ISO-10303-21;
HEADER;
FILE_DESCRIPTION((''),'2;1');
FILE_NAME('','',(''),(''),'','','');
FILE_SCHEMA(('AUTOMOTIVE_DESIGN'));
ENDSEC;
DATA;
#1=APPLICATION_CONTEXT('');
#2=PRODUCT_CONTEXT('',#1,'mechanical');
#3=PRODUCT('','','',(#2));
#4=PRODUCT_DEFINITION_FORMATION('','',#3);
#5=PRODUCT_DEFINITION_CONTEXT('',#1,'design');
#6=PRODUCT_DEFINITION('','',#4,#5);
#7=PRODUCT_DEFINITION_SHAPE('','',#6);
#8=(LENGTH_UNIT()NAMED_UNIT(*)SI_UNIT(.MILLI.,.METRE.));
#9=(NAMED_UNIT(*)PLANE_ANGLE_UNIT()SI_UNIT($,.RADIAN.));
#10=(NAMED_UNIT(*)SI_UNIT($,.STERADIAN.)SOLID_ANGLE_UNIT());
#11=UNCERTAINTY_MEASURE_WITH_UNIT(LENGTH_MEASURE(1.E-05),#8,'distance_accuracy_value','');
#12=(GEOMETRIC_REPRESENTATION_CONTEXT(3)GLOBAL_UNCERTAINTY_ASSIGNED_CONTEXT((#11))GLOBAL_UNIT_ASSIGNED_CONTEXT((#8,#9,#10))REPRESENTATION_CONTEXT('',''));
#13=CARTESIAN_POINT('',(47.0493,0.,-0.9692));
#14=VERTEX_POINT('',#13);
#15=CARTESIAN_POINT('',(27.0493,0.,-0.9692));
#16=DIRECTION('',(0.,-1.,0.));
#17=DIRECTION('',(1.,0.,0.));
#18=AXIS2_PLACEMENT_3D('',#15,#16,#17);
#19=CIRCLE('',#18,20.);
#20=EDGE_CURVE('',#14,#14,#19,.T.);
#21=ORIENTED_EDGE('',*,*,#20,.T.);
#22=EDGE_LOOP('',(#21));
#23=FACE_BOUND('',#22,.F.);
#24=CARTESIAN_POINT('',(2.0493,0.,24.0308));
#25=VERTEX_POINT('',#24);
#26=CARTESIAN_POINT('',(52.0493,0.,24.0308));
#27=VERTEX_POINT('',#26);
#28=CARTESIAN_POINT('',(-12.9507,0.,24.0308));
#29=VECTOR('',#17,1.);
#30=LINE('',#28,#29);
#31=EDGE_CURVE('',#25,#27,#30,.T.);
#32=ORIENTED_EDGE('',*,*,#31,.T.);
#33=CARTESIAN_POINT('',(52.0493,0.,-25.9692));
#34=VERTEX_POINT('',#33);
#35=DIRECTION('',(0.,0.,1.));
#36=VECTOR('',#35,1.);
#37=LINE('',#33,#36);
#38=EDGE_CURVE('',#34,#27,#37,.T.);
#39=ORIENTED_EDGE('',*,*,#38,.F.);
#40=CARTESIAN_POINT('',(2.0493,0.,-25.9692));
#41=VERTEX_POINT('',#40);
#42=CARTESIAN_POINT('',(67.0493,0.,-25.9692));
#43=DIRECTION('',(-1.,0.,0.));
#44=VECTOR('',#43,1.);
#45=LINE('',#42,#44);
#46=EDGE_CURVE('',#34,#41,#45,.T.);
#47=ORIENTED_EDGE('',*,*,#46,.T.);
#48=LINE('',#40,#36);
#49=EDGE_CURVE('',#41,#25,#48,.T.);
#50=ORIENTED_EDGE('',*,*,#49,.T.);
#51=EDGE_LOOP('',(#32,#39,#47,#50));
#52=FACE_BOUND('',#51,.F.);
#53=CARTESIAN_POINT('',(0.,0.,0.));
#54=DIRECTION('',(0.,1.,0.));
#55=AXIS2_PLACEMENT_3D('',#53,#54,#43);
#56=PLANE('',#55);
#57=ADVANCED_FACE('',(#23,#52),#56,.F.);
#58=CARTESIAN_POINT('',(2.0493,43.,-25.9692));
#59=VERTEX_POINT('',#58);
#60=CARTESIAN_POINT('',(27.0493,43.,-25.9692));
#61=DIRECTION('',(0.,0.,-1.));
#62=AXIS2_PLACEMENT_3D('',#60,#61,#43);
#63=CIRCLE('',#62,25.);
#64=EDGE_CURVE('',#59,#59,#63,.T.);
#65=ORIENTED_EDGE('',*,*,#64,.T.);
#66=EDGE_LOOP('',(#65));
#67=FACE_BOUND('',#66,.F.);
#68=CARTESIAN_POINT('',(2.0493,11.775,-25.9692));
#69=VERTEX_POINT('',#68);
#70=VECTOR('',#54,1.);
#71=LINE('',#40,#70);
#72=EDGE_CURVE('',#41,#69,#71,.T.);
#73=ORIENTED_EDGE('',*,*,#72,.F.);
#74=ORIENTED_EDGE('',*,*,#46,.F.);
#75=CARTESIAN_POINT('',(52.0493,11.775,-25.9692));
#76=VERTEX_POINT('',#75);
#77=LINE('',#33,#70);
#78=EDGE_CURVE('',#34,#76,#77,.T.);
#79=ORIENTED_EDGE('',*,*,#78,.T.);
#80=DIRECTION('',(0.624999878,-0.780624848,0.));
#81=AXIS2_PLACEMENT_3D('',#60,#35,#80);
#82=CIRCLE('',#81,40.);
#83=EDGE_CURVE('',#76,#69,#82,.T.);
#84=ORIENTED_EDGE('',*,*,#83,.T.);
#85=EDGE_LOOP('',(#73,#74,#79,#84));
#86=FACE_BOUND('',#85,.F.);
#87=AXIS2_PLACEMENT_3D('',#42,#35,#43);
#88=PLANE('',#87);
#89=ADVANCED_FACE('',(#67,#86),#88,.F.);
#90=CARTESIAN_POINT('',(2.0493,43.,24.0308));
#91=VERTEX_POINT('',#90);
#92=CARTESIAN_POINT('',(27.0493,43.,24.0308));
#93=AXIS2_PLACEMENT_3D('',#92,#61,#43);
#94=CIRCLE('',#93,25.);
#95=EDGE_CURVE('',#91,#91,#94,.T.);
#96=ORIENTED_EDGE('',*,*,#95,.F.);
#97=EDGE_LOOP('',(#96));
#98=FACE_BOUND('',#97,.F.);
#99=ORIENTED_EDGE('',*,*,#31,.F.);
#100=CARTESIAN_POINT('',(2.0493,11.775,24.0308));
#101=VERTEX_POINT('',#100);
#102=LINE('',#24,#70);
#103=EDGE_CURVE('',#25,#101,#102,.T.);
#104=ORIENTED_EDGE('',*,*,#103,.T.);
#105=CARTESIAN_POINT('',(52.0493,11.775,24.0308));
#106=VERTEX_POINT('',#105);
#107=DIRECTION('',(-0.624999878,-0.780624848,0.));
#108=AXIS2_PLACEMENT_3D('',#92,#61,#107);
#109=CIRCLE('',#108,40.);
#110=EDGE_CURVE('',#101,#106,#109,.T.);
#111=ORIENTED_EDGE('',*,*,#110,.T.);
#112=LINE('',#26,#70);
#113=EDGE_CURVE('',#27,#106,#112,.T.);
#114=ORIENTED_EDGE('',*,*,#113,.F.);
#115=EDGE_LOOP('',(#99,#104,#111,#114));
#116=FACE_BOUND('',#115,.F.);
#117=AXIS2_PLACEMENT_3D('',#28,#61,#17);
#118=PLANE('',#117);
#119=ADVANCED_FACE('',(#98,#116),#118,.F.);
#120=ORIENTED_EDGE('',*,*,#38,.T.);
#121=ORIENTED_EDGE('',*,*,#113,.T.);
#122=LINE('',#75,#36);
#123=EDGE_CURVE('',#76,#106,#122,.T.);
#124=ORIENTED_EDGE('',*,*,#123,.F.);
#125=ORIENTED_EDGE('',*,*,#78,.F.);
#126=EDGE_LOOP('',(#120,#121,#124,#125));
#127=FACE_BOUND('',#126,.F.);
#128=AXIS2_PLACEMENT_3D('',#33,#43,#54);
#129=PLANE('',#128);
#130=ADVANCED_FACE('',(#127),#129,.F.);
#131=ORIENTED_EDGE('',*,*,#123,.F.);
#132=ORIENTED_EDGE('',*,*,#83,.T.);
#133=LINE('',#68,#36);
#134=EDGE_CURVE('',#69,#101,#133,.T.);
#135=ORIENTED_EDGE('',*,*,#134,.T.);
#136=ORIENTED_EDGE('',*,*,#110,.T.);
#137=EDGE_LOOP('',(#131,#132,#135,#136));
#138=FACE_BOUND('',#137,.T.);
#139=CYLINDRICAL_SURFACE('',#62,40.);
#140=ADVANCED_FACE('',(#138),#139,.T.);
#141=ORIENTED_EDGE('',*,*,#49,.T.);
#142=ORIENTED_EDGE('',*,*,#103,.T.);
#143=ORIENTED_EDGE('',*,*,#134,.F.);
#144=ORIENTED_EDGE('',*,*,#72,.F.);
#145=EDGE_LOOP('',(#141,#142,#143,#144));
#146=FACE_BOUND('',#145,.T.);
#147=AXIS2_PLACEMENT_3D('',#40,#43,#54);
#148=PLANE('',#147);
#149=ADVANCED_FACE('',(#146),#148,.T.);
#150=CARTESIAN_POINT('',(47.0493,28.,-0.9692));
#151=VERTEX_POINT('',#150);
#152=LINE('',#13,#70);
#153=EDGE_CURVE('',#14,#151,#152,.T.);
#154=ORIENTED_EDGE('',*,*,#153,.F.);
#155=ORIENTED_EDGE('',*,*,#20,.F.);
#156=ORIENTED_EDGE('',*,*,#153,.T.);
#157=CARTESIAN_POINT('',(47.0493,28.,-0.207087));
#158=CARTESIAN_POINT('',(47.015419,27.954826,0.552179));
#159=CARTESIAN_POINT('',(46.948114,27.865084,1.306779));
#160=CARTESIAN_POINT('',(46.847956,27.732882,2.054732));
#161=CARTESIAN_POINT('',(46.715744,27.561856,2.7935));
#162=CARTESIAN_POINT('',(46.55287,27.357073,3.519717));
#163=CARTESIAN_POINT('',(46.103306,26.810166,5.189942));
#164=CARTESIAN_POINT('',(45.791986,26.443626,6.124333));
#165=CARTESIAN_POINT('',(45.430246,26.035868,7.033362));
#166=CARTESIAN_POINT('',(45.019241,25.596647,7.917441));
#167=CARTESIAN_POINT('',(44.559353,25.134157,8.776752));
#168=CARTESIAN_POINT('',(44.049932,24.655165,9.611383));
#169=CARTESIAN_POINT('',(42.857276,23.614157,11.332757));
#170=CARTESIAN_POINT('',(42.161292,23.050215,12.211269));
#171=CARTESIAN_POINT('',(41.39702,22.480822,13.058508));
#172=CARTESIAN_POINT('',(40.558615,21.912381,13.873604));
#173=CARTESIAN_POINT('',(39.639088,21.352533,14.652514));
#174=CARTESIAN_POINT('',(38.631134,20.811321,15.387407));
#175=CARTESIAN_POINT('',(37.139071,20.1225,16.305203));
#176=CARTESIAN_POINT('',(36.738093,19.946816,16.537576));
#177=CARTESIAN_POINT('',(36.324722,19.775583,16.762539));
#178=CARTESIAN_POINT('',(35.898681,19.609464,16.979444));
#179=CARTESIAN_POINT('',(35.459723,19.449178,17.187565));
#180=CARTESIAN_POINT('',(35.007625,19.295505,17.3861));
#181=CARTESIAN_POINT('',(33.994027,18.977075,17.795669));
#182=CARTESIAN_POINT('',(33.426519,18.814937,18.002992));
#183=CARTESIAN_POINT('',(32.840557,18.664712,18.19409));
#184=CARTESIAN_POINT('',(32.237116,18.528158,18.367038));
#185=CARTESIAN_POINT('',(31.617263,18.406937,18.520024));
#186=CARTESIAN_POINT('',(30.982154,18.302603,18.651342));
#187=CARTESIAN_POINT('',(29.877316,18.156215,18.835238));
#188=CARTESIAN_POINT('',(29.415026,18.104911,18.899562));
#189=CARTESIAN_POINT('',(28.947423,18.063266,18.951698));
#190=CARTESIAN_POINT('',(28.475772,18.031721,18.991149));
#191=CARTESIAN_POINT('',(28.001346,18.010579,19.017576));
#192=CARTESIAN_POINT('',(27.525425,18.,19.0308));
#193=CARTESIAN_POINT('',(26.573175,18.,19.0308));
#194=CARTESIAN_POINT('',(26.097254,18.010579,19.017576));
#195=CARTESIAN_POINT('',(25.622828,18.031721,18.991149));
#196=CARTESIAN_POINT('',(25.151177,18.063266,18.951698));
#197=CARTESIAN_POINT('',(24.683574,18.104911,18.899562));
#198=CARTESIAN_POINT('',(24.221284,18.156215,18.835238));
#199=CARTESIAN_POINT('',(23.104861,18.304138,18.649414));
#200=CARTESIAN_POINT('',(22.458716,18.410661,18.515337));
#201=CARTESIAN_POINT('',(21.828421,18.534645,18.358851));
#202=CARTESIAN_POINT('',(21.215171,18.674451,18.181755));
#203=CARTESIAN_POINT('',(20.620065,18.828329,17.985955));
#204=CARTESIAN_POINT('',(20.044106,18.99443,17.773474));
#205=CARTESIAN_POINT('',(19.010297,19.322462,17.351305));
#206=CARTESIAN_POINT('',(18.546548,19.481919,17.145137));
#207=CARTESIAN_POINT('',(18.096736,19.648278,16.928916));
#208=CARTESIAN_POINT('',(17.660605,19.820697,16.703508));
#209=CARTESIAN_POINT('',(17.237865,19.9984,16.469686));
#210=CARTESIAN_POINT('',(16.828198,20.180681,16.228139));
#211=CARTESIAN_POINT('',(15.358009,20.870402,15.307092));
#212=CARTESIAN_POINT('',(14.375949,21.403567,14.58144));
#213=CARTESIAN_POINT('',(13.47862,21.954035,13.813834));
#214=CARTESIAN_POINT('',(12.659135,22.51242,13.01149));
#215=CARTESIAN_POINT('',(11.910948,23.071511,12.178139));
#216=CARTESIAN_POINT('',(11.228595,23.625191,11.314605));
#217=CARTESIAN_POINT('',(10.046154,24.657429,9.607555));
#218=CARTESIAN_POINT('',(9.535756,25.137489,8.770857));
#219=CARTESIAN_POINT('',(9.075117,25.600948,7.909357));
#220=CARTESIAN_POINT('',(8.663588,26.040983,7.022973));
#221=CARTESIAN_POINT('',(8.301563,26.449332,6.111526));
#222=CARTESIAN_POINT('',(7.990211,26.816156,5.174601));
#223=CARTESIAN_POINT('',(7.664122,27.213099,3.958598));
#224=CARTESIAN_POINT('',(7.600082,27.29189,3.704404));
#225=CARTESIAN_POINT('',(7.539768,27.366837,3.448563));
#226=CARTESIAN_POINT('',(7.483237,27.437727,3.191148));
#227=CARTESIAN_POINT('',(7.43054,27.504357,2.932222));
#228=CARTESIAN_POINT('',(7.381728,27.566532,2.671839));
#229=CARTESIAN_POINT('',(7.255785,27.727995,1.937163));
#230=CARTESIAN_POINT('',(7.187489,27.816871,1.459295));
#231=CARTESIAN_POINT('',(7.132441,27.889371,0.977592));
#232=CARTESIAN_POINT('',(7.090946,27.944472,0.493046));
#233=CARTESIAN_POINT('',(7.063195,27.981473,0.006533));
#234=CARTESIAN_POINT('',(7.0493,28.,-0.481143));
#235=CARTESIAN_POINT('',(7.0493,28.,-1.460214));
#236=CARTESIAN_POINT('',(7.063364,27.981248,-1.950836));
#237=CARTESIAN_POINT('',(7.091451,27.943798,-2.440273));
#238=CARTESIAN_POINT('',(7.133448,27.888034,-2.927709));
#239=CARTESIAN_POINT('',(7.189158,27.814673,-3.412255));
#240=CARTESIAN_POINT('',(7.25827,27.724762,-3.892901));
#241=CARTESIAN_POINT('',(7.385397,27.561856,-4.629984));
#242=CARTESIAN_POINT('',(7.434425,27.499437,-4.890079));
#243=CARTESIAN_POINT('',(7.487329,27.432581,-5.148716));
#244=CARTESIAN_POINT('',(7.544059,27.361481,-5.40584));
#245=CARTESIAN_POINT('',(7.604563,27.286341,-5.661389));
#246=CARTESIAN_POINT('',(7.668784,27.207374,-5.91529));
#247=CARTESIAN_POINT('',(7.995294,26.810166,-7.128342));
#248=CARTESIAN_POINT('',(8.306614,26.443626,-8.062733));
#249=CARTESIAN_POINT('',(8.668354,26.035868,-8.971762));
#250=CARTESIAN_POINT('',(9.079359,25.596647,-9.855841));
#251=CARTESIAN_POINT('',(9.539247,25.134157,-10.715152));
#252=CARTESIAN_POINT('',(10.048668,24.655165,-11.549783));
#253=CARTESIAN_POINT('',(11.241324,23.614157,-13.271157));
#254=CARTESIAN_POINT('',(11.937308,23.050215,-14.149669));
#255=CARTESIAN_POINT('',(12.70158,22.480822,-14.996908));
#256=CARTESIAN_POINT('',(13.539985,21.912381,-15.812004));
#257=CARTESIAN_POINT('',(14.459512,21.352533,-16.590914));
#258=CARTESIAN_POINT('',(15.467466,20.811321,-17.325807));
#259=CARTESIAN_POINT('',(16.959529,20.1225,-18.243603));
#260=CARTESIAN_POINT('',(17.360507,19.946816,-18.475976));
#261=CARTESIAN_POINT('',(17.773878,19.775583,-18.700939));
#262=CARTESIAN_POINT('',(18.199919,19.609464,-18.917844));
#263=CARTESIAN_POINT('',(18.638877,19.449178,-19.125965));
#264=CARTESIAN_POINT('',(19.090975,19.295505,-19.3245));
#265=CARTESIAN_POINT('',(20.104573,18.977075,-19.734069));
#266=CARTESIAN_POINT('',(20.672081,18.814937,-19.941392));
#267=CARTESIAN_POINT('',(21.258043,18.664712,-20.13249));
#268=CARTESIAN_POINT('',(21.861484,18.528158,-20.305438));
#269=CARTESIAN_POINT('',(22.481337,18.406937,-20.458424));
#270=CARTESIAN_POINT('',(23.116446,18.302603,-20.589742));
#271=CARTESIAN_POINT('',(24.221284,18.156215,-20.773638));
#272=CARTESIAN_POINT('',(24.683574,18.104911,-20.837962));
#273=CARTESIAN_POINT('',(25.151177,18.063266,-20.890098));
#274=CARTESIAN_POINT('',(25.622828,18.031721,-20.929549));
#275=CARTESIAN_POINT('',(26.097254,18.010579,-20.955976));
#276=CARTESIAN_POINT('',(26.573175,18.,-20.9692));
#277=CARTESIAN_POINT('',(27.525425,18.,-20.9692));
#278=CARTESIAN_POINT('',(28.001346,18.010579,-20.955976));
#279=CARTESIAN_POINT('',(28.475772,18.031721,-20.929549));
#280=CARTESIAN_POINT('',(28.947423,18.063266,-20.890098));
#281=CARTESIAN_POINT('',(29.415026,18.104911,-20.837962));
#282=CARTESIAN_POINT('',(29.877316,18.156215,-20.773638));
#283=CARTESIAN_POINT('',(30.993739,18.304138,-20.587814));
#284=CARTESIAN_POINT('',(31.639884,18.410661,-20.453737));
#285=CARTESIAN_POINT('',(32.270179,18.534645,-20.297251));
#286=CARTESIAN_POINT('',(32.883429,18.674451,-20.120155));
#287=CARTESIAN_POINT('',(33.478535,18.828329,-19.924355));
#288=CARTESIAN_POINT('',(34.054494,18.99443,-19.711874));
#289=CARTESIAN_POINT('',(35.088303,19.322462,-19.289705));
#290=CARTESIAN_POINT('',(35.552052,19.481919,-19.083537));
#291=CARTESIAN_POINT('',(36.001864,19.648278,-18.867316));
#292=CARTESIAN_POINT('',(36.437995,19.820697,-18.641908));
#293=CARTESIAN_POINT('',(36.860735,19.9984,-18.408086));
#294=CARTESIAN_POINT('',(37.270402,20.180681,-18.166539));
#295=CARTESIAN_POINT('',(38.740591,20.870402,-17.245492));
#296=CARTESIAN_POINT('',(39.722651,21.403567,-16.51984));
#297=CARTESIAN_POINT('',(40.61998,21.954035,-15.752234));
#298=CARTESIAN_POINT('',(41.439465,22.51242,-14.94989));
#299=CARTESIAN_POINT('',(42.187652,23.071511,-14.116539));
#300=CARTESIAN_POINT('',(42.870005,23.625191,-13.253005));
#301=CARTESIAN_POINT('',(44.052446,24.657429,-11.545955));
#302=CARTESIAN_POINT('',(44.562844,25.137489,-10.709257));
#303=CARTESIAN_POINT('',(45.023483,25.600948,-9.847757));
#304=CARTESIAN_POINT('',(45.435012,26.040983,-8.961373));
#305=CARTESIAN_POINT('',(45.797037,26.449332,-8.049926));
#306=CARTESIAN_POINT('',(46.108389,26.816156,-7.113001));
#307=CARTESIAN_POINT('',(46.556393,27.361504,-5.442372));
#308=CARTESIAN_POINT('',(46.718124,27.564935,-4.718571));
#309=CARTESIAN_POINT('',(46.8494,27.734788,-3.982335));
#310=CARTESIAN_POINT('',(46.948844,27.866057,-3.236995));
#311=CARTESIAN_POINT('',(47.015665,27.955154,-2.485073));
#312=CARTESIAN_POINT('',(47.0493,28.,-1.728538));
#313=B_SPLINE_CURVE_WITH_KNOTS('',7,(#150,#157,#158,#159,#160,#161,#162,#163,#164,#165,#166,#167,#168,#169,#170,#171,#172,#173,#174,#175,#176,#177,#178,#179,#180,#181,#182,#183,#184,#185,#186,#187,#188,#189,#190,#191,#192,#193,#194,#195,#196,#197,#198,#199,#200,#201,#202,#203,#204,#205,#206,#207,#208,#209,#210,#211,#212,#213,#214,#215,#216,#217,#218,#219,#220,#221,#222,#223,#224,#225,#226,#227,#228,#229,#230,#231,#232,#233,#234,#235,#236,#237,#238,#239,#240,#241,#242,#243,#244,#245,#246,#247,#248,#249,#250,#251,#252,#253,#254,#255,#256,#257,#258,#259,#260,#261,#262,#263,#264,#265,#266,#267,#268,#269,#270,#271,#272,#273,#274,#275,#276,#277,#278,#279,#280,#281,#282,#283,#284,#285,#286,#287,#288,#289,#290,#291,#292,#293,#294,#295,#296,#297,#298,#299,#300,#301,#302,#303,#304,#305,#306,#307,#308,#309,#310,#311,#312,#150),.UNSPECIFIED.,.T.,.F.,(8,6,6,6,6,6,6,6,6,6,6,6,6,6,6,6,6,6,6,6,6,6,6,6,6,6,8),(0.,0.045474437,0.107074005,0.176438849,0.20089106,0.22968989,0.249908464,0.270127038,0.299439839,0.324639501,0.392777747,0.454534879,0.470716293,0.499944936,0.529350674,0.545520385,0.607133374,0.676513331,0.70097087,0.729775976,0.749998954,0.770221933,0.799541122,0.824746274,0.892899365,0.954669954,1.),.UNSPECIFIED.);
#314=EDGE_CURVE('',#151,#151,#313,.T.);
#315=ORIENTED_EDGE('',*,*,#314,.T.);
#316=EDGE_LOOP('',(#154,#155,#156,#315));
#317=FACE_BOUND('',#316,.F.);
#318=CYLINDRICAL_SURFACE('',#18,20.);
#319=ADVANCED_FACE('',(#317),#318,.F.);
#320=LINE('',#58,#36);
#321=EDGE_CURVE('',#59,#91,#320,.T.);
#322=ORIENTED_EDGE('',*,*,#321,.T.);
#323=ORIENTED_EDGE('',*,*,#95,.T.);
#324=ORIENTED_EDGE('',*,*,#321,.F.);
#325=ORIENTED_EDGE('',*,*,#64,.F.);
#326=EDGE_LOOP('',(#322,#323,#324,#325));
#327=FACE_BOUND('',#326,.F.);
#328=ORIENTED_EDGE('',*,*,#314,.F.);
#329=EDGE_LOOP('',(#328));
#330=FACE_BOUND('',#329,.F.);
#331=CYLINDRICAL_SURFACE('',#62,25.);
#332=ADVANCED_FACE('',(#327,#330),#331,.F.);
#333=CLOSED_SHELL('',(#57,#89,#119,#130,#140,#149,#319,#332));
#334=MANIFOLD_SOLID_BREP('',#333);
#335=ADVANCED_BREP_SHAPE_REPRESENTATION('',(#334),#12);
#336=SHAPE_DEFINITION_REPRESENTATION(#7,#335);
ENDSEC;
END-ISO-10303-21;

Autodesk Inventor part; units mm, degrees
ref_plane "YZ Plane" through (0, 0, 0) normal (1, 0, 0) x (0, 1, 0)
ref_plane "XZ Plane" through (0, 0, 0) normal (0, 1, 0) x (-1, 0, 0)
ref_plane "XY Plane" through (0, 0, 0) normal (0, 0, 1) x (1, 0, 0)
sketch "Sketch1" plane through (0, 0, 0) normal (0, 1, 0) x (-1, 0, 0)
  line L0 (12.9507, 24.0308) -> (-67.0493, 24.0308)
  line L1 (-67.0493, 24.0308) -> (-67.0493, -25.9692)
  line L2 (-67.0493, -25.9692) -> (12.9507, -25.9692)
  line L3 (12.9507, -25.9692) -> (12.9507, 24.0308)
  point P0 (0, 0)
  dimension "d0" = 80
  dimension "d1" = 50
extrude "Extrusion1" add sketch "Sketch1" along normal blind 86
sketch "Sketch2" plane through (0, 0, 0) normal (0, -1, 0) x (1, 0, 0)
  circle A0 centre (27.0493, -0.9692) radius 20
  point P0 (0, 0)
  point P1 (67.0493, -25.9692)
  point P2 (-12.9507, 24.0308)
  dimension "d7" = 40
sketch "Sketch3" plane through (67.0493, 0, -25.9692) normal (0, 0, -1) x (-1, 0, 0)
  circle A0 centre (40, 43) radius 40
  circle A1 centre (40, 43) radius 25
  line L0 (0, 0) -> (15, 0)
  line L1 (0, 0) -> (80, 0) projected
  line L2 (80, 0) -> (65, 0)
  line L3 (65, 0) -> (65, 11.775)
  line L4 (15, 0) -> (15, 11.775)
  line L5 (0, 86) -> (80, 86) projected
  line L6 (0, 86) -> (80, 86)
  line L7 (80, 86) -> (80, 0)
  line L8 (80, 0) -> (0, 0)
  line L9 (0, 0) -> (0, 86)
  point P0 (67.0493, 0)
  point P1 (0, 43)
  point P2 (80, 43)
  dimension "d10" = 50
  dimension "d15" = 15
  dimension "d16" = 15
extrude "Extrusion2" cut sketch "Sketch3" against normal blind 100 contours A1
extrude "Extrusion3" cut sketch "Sketch2" against normal blind 47.6125
extrude "Extrusion4" cut sketch "Sketch3" against normal blind 100 contours L4 L0 L9 A0
extrude "Extrusion5" cut sketch "Sketch3" against normal blind 100 contours A0 L7 L1 L3
extrude "Extrusion6" cut sketch "Sketch3" against normal blind 100 contours L9 L5 L7 A0
